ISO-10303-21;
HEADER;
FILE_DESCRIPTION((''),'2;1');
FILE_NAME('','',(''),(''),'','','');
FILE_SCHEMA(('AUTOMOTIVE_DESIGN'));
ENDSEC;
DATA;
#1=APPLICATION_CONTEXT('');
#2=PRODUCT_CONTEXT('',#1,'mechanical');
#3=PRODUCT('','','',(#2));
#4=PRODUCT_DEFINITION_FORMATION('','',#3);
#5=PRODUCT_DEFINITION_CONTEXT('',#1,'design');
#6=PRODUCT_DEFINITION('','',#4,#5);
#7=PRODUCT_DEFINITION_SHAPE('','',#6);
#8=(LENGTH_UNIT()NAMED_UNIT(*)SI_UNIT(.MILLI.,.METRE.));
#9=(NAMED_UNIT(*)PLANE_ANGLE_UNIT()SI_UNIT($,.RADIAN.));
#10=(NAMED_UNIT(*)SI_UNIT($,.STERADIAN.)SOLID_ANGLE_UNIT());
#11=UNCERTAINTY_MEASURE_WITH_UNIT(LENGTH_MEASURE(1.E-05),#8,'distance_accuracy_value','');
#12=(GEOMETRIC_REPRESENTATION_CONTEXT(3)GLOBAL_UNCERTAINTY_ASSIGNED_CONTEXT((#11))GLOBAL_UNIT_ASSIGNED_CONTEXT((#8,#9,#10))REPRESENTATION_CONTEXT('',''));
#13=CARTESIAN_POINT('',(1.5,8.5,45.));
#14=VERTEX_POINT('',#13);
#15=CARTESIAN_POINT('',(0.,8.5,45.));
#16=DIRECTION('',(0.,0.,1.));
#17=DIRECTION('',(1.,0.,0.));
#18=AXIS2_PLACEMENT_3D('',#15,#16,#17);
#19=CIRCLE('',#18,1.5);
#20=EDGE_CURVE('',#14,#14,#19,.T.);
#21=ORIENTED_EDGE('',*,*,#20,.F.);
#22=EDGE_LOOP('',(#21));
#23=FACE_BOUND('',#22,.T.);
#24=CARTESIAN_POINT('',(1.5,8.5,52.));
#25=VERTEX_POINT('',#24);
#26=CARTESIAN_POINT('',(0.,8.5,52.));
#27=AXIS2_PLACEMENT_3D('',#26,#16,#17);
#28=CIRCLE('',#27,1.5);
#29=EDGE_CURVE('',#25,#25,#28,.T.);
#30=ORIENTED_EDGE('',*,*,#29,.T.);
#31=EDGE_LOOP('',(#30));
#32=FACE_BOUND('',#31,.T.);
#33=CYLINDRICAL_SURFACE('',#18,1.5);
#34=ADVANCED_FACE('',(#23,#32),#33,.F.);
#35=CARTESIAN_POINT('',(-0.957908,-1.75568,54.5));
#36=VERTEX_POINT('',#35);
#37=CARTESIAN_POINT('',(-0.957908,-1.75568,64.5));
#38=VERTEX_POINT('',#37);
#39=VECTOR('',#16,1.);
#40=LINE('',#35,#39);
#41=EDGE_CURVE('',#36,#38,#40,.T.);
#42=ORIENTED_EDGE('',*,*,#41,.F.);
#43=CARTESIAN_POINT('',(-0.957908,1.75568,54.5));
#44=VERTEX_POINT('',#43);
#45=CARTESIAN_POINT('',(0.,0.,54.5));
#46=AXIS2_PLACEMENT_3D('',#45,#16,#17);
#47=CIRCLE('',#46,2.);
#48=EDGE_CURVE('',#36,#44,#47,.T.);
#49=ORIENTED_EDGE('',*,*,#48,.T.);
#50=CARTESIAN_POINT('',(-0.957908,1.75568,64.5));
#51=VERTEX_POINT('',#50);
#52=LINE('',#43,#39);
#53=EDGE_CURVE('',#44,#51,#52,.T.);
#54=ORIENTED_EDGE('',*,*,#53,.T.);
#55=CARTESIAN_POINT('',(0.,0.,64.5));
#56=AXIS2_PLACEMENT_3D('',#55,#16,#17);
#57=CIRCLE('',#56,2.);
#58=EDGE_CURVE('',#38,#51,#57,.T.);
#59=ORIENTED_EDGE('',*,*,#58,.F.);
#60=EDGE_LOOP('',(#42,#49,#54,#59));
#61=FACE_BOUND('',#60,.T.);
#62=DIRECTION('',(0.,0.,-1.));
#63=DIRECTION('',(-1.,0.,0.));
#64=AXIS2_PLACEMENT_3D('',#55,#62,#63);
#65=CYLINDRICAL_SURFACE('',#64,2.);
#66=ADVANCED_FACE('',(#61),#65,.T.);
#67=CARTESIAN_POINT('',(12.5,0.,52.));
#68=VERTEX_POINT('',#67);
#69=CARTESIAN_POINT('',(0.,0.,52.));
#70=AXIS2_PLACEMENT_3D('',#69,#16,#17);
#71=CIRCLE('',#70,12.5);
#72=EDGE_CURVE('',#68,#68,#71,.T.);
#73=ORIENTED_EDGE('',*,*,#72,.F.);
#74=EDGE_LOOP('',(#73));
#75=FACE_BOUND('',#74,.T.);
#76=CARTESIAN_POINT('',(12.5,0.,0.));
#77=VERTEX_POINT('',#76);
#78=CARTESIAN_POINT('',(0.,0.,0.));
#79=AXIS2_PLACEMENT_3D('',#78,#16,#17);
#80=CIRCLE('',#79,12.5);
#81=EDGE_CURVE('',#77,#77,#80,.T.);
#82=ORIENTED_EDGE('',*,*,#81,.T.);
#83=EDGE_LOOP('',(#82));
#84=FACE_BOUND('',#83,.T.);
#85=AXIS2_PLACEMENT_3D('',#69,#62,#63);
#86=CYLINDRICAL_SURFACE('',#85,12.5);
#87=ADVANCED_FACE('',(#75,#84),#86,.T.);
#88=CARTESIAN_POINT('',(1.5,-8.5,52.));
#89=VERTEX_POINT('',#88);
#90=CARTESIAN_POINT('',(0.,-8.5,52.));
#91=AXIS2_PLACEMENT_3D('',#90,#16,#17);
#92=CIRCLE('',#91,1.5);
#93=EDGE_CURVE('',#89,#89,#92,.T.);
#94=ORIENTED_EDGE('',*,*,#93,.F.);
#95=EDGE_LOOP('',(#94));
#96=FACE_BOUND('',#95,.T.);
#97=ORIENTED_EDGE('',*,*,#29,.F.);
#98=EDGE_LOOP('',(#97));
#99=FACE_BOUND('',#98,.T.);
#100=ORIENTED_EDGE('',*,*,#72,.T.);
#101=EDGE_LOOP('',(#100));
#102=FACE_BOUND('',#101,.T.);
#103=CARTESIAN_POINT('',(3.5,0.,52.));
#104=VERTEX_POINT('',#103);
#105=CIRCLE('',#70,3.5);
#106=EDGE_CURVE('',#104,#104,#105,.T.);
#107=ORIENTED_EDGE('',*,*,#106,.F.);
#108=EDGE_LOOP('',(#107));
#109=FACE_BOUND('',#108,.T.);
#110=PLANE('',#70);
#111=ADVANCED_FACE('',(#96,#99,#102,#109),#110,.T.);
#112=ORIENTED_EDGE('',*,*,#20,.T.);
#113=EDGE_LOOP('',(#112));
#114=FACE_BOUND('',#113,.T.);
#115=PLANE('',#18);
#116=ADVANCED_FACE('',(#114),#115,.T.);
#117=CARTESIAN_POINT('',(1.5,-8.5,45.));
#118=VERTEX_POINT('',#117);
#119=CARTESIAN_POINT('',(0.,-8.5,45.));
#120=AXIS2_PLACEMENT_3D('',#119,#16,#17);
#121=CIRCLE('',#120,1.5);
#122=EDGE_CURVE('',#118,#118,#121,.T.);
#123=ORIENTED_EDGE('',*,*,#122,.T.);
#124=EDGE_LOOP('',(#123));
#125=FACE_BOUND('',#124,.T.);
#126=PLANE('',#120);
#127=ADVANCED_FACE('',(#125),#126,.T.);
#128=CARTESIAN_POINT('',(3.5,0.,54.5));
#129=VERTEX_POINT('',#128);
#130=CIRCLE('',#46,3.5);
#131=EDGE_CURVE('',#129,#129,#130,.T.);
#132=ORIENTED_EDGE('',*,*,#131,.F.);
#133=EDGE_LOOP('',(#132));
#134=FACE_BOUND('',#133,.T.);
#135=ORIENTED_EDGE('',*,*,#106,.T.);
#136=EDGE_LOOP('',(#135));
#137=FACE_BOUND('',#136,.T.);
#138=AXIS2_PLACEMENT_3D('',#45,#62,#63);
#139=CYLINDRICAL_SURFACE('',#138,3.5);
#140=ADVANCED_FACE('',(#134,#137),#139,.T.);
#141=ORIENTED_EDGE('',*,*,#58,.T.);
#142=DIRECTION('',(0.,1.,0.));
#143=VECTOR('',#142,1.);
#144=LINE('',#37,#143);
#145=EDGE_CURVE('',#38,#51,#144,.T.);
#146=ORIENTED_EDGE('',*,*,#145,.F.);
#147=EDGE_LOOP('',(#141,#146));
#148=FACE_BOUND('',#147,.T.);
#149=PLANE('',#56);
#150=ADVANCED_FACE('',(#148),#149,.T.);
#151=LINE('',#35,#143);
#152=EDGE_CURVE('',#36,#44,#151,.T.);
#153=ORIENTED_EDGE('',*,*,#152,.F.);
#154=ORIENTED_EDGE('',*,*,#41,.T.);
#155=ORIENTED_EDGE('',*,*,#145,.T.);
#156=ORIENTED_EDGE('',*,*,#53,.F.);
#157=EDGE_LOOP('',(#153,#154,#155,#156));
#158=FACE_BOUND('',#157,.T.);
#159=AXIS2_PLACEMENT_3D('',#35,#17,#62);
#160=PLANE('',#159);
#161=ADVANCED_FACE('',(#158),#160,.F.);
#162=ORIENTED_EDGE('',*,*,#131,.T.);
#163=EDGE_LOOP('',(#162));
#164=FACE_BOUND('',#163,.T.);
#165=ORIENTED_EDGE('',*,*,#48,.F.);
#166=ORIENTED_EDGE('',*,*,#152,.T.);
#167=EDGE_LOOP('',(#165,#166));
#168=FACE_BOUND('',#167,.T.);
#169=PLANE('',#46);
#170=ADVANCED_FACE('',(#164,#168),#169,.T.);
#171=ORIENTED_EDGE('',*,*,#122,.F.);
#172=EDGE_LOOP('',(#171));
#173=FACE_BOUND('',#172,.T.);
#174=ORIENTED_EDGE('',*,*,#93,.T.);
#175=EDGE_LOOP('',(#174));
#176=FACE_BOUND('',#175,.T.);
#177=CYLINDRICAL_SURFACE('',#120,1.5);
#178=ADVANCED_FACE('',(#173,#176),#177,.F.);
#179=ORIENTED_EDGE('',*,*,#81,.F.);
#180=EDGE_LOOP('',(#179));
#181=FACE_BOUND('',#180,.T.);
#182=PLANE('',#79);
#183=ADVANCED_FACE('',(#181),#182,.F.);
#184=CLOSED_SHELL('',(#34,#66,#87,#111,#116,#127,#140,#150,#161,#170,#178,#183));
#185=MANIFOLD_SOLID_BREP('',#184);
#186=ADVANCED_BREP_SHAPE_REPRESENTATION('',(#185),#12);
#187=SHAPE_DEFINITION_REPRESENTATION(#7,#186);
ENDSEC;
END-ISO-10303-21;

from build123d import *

# Parameters (mm, degrees)
SKETCH_1_R          = 12.5
EXTRUDE_1_DEPTH     = 52
SKETCH_2_R          = 3.5
EXTRUDE_2_DEPTH     = 2.5
SKETCH_3_R          = 2
EXTRUDE_3_DEPTH     = 10
CUT_EXTRUDE_1_DEPTH = 10
SKETCH_5_R          = 1.5
CUT_EXTRUDE_2_DEPTH = 7


with BuildPart() as part:
    # 草图1 → 凸台-拉伸1 (new body)
    with BuildSketch(Plane.XY):
        Circle(SKETCH_1_R)
    extrude(amount=EXTRUDE_1_DEPTH)

    # 草图2 → 凸台-拉伸2 (add)
    with BuildSketch(Plane.XY.offset(52)):
        Circle(SKETCH_2_R)
    extrude(amount=EXTRUDE_2_DEPTH)

    # 草图3 → 凸台-拉伸3 (add)
    with BuildSketch(Plane.XY.offset(54.5)):
        Circle(SKETCH_3_R)
    extrude(amount=EXTRUDE_3_DEPTH)

    # 草图4 → 切除-拉伸1 (cut)
    with BuildSketch(Plane.XY.offset(64.5)):
        with BuildLine():
            Line((-0.957908231, -1.755679874), (-0.957908231, 1.755679874))
            ThreePointArc((-0.957908231, 1.755679874), (-2, 0), (-0.957908231, -1.755679874))
        make_face()
    extrude(amount=-CUT_EXTRUDE_1_DEPTH, mode=Mode.SUBTRACT)

    # 草图5 → 切除-拉伸2 (cut)
    with BuildSketch(Plane.XY.offset(52)):
        with Locations((0, 8.5)):
            Circle(SKETCH_5_R)
        with Locations((0, -8.5)):
            Circle(SKETCH_5_R)
    extrude(amount=-CUT_EXTRUDE_2_DEPTH, mode=Mode.SUBTRACT)


solid = part.part
